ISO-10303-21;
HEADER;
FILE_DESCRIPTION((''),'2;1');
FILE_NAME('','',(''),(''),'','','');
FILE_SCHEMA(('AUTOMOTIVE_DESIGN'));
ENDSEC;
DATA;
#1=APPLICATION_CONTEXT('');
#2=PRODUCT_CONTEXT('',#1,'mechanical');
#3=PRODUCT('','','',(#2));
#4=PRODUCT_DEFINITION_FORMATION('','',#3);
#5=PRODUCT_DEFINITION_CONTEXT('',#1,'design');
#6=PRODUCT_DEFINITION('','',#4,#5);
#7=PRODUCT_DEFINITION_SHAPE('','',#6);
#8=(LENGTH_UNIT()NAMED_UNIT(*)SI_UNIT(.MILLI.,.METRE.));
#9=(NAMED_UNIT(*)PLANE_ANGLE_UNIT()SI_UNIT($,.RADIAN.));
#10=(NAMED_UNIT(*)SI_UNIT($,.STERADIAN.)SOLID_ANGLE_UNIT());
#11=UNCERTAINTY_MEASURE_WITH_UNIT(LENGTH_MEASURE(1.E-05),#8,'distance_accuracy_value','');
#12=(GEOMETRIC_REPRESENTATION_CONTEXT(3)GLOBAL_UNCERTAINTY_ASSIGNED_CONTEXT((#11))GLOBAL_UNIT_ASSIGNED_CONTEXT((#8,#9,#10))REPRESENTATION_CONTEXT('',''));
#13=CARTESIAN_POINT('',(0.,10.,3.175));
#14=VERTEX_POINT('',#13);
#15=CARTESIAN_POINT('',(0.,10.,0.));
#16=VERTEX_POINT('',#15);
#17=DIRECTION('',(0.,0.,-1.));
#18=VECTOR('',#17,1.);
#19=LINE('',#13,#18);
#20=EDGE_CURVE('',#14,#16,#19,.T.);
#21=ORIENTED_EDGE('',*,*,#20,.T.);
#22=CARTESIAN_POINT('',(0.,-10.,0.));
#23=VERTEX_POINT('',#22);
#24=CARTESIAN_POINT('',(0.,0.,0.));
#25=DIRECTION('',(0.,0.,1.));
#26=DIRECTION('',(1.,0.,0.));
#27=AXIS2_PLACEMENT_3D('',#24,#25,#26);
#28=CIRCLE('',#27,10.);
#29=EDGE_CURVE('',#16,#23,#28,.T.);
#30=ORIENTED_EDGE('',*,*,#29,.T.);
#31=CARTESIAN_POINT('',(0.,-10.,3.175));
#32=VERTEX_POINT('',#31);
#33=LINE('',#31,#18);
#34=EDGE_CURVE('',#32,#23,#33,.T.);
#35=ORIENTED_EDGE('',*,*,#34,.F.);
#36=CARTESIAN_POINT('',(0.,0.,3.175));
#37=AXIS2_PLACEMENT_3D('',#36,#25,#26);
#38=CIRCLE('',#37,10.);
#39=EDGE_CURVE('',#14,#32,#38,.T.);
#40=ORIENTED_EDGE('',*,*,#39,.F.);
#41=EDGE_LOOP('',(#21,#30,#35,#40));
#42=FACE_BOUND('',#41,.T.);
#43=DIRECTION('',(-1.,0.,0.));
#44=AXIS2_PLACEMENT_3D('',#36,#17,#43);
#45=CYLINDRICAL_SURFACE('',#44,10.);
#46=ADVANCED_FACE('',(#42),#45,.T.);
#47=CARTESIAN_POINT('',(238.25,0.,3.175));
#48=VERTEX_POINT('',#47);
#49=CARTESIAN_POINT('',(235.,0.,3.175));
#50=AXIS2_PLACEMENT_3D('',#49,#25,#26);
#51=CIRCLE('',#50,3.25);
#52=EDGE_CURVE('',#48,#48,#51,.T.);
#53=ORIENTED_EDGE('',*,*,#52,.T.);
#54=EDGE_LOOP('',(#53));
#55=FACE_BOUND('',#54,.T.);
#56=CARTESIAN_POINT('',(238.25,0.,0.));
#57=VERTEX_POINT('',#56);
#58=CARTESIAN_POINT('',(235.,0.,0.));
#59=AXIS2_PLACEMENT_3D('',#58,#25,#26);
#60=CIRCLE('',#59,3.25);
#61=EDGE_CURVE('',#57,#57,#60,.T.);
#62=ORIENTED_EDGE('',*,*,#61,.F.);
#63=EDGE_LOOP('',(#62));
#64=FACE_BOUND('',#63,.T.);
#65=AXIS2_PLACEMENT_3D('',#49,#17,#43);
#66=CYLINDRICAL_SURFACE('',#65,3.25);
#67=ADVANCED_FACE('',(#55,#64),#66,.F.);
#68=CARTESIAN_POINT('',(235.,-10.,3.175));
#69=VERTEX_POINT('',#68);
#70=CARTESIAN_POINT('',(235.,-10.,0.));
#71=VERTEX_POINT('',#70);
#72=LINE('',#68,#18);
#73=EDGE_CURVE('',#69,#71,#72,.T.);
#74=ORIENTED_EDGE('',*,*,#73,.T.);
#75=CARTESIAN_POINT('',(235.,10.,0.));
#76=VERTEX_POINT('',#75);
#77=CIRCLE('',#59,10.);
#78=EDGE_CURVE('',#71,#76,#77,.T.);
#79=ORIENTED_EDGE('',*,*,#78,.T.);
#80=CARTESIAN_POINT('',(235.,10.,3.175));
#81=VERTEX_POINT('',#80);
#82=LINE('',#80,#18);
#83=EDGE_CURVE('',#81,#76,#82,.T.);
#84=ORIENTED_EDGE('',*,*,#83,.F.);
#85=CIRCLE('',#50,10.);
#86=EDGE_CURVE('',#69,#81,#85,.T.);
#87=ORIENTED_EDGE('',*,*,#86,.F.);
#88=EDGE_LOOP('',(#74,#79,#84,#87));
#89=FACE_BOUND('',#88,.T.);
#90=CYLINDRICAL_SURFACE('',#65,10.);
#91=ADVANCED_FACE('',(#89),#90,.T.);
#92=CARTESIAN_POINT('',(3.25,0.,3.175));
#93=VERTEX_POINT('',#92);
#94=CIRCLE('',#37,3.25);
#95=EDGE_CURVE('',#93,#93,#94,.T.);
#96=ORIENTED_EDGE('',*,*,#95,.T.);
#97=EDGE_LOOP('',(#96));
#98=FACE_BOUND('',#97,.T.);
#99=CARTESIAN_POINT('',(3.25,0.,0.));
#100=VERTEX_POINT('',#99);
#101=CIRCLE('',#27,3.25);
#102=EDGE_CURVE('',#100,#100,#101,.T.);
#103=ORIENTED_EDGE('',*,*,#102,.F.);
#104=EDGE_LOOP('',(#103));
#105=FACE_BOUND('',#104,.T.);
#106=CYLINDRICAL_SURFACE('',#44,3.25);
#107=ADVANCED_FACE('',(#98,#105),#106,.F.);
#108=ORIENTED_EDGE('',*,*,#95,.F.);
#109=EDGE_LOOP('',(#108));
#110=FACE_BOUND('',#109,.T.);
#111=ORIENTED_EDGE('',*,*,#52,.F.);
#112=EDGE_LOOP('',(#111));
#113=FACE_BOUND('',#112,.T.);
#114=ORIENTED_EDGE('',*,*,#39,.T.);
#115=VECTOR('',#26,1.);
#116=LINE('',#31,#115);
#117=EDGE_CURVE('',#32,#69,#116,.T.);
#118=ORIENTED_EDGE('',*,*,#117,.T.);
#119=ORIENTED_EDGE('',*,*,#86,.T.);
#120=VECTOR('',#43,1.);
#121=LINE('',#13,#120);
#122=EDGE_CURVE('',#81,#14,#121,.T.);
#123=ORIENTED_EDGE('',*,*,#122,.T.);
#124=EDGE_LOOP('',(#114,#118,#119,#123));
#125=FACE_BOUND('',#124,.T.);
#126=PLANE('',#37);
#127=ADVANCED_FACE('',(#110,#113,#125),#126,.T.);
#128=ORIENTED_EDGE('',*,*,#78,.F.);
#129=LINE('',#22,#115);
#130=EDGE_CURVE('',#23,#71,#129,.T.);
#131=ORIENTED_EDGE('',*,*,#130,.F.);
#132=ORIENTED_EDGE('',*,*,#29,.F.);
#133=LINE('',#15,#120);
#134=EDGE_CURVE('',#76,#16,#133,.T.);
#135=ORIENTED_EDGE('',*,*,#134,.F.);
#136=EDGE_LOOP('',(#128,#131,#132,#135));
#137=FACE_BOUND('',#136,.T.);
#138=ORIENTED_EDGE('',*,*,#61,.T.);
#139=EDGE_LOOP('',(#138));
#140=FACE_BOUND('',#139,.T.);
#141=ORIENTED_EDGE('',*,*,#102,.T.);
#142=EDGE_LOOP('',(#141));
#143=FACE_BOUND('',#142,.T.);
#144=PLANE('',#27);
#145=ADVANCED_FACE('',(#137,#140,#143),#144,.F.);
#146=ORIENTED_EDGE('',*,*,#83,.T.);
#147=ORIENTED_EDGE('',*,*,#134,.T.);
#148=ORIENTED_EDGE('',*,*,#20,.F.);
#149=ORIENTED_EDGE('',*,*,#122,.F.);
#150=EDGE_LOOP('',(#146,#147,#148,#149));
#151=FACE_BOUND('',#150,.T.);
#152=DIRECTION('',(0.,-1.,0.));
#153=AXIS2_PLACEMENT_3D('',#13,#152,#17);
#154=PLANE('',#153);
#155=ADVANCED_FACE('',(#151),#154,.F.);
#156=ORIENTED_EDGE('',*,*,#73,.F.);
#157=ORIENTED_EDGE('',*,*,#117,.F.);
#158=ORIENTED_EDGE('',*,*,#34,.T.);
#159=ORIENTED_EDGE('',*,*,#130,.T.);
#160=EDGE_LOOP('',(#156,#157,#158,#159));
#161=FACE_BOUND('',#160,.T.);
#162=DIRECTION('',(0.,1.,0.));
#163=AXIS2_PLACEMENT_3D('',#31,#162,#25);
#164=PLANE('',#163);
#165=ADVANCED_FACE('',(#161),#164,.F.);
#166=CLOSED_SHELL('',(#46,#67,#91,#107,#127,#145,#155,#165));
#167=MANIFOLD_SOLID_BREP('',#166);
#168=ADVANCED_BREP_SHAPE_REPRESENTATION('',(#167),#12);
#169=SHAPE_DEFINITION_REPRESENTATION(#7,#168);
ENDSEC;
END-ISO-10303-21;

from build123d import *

# Parameters (mm, degrees)
SKETCH1_R           = 3.25
BOSS_EXTRUDE1_DEPTH = 3.175


with BuildPart() as part:
    # Sketch1 → Boss-Extrude1 (new body)
    with BuildSketch(Plane.XY):
        with BuildLine():
            Line((0, 10), (235, 10))
            ThreePointArc((235, 10), (245, 0), (235, -10))
            Line((235, -10), (0, -10))
            ThreePointArc((0, -10), (-10, 0), (0, 10))
        make_face()
        Circle(SKETCH1_R, mode=Mode.SUBTRACT)
        with Locations((235, 0)):
            Circle(SKETCH1_R, mode=Mode.SUBTRACT)
    extrude(amount=BOSS_EXTRUDE1_DEPTH)


solid = part.part
